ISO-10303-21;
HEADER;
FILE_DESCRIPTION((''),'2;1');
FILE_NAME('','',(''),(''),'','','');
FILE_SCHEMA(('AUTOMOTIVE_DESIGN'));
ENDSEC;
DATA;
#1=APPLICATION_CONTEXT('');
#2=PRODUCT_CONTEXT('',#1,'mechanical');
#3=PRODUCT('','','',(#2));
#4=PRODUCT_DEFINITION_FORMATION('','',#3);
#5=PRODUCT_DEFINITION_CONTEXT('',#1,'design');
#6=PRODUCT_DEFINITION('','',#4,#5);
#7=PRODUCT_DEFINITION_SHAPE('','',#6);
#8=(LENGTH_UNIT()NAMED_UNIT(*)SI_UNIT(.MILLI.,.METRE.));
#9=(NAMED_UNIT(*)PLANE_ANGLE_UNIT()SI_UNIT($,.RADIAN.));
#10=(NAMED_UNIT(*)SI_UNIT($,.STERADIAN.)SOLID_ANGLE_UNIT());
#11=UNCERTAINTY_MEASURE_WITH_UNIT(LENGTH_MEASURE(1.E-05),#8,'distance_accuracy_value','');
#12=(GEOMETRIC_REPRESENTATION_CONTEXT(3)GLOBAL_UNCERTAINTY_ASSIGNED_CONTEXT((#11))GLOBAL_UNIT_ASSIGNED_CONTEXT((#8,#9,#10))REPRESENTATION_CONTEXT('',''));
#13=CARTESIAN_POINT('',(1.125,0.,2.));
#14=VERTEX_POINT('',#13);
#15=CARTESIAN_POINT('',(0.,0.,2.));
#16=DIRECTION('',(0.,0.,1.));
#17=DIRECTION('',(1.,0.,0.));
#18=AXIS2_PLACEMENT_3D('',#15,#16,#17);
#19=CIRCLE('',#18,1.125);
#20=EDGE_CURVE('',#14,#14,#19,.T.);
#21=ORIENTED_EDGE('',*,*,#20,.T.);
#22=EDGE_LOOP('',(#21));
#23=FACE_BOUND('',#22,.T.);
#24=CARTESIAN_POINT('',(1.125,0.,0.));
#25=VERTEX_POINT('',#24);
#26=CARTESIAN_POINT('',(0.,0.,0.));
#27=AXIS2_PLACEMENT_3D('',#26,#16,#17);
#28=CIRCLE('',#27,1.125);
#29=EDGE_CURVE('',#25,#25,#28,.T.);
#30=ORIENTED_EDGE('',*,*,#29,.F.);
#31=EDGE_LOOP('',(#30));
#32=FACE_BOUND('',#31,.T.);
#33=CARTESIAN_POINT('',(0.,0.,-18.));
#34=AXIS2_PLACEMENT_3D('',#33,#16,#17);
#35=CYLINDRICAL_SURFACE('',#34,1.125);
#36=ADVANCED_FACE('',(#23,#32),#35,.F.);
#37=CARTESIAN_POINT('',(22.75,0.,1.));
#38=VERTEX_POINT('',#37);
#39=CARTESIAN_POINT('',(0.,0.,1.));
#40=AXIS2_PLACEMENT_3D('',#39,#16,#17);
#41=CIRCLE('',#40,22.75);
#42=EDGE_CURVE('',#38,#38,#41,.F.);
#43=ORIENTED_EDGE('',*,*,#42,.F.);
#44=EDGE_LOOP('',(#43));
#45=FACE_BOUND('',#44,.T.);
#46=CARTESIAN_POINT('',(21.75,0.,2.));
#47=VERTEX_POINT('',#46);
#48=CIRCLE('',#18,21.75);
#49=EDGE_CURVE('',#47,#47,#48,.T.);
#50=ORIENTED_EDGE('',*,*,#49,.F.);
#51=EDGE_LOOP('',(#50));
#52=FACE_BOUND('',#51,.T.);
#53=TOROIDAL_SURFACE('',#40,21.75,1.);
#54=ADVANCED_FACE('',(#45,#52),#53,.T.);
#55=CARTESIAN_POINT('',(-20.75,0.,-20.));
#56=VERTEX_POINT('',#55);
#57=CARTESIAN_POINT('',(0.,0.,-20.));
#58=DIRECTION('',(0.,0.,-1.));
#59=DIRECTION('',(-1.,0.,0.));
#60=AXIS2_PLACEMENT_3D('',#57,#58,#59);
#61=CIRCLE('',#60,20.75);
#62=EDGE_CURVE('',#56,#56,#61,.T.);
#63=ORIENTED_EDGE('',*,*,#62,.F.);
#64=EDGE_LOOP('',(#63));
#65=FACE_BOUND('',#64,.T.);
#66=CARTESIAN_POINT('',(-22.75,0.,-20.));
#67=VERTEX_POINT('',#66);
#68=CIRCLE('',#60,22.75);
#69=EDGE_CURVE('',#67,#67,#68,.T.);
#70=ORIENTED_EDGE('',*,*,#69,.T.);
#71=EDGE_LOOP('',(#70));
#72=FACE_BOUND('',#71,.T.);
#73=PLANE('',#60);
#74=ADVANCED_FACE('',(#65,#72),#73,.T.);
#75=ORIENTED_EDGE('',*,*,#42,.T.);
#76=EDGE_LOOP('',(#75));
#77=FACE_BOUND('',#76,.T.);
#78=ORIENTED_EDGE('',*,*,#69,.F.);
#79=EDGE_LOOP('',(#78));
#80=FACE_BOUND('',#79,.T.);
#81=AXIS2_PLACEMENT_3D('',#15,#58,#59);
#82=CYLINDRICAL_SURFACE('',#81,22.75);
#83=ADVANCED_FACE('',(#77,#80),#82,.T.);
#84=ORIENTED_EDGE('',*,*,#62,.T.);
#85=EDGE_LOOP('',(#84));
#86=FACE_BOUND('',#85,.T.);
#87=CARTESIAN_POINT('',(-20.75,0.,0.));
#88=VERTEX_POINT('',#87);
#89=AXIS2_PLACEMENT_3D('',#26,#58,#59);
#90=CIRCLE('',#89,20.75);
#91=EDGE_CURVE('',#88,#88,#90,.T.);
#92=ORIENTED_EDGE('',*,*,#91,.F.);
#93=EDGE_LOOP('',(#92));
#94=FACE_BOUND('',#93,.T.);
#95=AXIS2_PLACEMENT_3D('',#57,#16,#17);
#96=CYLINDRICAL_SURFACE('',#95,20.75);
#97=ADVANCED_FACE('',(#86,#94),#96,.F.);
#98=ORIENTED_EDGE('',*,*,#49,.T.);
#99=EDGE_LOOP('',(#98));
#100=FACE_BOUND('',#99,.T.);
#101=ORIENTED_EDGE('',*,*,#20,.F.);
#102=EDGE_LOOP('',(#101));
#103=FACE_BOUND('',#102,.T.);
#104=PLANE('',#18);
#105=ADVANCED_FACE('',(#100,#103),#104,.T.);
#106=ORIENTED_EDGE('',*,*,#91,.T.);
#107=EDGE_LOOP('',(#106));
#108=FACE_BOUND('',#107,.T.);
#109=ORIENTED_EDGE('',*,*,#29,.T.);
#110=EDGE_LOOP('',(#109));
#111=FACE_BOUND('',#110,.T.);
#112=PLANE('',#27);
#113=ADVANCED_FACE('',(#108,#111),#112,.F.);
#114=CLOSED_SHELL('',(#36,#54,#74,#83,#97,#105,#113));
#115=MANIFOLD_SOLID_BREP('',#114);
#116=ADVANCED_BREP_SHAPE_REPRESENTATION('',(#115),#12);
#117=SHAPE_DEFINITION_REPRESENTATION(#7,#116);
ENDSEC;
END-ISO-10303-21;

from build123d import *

# Parameters (mm, degrees)
SKETCH1_R           = 22.75
BOSS_EXTRUDE1_DEPTH = 2
BOSS_EXTRUDE2_START = 20
SKETCH2_R           = 22.75
SKETCH2_R_2         = 20.75
BOSS_EXTRUDE2_DEPTH = 20
FILLET1_R           = 1
SKETCH3_R           = 1.125
CUT_EXTRUDE1_DEPTH  = 20


with BuildPart() as part:
    # Sketch1 → Boss-Extrude1 (new body)
    with BuildSketch(Plane.XY):
        Circle(SKETCH1_R)
    extrude(amount=BOSS_EXTRUDE1_DEPTH)

    # Sketch2 → Boss-Extrude2 (add)
    with BuildSketch(Plane(origin=(0, 0, 0), x_dir=(-1, 0, 0), z_dir=(0, 0, -1)).offset(BOSS_EXTRUDE2_START)):
        Circle(SKETCH2_R)
        Circle(SKETCH2_R_2, mode=Mode.SUBTRACT)
    extrude(amount=-BOSS_EXTRUDE2_DEPTH)

    # Fillet1
    fillet1_edges = [part.edges().sort_by_distance(p)[0] for p in [
        (-22.75, 0, 2),
    ]]
    fillet(fillet1_edges, radius=FILLET1_R)

    # Sketch3 → Cut-Extrude1 (cut)
    with BuildSketch(Plane.XY.offset(2)):
        Circle(SKETCH3_R)
    extrude(amount=-CUT_EXTRUDE1_DEPTH, mode=Mode.SUBTRACT)


solid = part.part
